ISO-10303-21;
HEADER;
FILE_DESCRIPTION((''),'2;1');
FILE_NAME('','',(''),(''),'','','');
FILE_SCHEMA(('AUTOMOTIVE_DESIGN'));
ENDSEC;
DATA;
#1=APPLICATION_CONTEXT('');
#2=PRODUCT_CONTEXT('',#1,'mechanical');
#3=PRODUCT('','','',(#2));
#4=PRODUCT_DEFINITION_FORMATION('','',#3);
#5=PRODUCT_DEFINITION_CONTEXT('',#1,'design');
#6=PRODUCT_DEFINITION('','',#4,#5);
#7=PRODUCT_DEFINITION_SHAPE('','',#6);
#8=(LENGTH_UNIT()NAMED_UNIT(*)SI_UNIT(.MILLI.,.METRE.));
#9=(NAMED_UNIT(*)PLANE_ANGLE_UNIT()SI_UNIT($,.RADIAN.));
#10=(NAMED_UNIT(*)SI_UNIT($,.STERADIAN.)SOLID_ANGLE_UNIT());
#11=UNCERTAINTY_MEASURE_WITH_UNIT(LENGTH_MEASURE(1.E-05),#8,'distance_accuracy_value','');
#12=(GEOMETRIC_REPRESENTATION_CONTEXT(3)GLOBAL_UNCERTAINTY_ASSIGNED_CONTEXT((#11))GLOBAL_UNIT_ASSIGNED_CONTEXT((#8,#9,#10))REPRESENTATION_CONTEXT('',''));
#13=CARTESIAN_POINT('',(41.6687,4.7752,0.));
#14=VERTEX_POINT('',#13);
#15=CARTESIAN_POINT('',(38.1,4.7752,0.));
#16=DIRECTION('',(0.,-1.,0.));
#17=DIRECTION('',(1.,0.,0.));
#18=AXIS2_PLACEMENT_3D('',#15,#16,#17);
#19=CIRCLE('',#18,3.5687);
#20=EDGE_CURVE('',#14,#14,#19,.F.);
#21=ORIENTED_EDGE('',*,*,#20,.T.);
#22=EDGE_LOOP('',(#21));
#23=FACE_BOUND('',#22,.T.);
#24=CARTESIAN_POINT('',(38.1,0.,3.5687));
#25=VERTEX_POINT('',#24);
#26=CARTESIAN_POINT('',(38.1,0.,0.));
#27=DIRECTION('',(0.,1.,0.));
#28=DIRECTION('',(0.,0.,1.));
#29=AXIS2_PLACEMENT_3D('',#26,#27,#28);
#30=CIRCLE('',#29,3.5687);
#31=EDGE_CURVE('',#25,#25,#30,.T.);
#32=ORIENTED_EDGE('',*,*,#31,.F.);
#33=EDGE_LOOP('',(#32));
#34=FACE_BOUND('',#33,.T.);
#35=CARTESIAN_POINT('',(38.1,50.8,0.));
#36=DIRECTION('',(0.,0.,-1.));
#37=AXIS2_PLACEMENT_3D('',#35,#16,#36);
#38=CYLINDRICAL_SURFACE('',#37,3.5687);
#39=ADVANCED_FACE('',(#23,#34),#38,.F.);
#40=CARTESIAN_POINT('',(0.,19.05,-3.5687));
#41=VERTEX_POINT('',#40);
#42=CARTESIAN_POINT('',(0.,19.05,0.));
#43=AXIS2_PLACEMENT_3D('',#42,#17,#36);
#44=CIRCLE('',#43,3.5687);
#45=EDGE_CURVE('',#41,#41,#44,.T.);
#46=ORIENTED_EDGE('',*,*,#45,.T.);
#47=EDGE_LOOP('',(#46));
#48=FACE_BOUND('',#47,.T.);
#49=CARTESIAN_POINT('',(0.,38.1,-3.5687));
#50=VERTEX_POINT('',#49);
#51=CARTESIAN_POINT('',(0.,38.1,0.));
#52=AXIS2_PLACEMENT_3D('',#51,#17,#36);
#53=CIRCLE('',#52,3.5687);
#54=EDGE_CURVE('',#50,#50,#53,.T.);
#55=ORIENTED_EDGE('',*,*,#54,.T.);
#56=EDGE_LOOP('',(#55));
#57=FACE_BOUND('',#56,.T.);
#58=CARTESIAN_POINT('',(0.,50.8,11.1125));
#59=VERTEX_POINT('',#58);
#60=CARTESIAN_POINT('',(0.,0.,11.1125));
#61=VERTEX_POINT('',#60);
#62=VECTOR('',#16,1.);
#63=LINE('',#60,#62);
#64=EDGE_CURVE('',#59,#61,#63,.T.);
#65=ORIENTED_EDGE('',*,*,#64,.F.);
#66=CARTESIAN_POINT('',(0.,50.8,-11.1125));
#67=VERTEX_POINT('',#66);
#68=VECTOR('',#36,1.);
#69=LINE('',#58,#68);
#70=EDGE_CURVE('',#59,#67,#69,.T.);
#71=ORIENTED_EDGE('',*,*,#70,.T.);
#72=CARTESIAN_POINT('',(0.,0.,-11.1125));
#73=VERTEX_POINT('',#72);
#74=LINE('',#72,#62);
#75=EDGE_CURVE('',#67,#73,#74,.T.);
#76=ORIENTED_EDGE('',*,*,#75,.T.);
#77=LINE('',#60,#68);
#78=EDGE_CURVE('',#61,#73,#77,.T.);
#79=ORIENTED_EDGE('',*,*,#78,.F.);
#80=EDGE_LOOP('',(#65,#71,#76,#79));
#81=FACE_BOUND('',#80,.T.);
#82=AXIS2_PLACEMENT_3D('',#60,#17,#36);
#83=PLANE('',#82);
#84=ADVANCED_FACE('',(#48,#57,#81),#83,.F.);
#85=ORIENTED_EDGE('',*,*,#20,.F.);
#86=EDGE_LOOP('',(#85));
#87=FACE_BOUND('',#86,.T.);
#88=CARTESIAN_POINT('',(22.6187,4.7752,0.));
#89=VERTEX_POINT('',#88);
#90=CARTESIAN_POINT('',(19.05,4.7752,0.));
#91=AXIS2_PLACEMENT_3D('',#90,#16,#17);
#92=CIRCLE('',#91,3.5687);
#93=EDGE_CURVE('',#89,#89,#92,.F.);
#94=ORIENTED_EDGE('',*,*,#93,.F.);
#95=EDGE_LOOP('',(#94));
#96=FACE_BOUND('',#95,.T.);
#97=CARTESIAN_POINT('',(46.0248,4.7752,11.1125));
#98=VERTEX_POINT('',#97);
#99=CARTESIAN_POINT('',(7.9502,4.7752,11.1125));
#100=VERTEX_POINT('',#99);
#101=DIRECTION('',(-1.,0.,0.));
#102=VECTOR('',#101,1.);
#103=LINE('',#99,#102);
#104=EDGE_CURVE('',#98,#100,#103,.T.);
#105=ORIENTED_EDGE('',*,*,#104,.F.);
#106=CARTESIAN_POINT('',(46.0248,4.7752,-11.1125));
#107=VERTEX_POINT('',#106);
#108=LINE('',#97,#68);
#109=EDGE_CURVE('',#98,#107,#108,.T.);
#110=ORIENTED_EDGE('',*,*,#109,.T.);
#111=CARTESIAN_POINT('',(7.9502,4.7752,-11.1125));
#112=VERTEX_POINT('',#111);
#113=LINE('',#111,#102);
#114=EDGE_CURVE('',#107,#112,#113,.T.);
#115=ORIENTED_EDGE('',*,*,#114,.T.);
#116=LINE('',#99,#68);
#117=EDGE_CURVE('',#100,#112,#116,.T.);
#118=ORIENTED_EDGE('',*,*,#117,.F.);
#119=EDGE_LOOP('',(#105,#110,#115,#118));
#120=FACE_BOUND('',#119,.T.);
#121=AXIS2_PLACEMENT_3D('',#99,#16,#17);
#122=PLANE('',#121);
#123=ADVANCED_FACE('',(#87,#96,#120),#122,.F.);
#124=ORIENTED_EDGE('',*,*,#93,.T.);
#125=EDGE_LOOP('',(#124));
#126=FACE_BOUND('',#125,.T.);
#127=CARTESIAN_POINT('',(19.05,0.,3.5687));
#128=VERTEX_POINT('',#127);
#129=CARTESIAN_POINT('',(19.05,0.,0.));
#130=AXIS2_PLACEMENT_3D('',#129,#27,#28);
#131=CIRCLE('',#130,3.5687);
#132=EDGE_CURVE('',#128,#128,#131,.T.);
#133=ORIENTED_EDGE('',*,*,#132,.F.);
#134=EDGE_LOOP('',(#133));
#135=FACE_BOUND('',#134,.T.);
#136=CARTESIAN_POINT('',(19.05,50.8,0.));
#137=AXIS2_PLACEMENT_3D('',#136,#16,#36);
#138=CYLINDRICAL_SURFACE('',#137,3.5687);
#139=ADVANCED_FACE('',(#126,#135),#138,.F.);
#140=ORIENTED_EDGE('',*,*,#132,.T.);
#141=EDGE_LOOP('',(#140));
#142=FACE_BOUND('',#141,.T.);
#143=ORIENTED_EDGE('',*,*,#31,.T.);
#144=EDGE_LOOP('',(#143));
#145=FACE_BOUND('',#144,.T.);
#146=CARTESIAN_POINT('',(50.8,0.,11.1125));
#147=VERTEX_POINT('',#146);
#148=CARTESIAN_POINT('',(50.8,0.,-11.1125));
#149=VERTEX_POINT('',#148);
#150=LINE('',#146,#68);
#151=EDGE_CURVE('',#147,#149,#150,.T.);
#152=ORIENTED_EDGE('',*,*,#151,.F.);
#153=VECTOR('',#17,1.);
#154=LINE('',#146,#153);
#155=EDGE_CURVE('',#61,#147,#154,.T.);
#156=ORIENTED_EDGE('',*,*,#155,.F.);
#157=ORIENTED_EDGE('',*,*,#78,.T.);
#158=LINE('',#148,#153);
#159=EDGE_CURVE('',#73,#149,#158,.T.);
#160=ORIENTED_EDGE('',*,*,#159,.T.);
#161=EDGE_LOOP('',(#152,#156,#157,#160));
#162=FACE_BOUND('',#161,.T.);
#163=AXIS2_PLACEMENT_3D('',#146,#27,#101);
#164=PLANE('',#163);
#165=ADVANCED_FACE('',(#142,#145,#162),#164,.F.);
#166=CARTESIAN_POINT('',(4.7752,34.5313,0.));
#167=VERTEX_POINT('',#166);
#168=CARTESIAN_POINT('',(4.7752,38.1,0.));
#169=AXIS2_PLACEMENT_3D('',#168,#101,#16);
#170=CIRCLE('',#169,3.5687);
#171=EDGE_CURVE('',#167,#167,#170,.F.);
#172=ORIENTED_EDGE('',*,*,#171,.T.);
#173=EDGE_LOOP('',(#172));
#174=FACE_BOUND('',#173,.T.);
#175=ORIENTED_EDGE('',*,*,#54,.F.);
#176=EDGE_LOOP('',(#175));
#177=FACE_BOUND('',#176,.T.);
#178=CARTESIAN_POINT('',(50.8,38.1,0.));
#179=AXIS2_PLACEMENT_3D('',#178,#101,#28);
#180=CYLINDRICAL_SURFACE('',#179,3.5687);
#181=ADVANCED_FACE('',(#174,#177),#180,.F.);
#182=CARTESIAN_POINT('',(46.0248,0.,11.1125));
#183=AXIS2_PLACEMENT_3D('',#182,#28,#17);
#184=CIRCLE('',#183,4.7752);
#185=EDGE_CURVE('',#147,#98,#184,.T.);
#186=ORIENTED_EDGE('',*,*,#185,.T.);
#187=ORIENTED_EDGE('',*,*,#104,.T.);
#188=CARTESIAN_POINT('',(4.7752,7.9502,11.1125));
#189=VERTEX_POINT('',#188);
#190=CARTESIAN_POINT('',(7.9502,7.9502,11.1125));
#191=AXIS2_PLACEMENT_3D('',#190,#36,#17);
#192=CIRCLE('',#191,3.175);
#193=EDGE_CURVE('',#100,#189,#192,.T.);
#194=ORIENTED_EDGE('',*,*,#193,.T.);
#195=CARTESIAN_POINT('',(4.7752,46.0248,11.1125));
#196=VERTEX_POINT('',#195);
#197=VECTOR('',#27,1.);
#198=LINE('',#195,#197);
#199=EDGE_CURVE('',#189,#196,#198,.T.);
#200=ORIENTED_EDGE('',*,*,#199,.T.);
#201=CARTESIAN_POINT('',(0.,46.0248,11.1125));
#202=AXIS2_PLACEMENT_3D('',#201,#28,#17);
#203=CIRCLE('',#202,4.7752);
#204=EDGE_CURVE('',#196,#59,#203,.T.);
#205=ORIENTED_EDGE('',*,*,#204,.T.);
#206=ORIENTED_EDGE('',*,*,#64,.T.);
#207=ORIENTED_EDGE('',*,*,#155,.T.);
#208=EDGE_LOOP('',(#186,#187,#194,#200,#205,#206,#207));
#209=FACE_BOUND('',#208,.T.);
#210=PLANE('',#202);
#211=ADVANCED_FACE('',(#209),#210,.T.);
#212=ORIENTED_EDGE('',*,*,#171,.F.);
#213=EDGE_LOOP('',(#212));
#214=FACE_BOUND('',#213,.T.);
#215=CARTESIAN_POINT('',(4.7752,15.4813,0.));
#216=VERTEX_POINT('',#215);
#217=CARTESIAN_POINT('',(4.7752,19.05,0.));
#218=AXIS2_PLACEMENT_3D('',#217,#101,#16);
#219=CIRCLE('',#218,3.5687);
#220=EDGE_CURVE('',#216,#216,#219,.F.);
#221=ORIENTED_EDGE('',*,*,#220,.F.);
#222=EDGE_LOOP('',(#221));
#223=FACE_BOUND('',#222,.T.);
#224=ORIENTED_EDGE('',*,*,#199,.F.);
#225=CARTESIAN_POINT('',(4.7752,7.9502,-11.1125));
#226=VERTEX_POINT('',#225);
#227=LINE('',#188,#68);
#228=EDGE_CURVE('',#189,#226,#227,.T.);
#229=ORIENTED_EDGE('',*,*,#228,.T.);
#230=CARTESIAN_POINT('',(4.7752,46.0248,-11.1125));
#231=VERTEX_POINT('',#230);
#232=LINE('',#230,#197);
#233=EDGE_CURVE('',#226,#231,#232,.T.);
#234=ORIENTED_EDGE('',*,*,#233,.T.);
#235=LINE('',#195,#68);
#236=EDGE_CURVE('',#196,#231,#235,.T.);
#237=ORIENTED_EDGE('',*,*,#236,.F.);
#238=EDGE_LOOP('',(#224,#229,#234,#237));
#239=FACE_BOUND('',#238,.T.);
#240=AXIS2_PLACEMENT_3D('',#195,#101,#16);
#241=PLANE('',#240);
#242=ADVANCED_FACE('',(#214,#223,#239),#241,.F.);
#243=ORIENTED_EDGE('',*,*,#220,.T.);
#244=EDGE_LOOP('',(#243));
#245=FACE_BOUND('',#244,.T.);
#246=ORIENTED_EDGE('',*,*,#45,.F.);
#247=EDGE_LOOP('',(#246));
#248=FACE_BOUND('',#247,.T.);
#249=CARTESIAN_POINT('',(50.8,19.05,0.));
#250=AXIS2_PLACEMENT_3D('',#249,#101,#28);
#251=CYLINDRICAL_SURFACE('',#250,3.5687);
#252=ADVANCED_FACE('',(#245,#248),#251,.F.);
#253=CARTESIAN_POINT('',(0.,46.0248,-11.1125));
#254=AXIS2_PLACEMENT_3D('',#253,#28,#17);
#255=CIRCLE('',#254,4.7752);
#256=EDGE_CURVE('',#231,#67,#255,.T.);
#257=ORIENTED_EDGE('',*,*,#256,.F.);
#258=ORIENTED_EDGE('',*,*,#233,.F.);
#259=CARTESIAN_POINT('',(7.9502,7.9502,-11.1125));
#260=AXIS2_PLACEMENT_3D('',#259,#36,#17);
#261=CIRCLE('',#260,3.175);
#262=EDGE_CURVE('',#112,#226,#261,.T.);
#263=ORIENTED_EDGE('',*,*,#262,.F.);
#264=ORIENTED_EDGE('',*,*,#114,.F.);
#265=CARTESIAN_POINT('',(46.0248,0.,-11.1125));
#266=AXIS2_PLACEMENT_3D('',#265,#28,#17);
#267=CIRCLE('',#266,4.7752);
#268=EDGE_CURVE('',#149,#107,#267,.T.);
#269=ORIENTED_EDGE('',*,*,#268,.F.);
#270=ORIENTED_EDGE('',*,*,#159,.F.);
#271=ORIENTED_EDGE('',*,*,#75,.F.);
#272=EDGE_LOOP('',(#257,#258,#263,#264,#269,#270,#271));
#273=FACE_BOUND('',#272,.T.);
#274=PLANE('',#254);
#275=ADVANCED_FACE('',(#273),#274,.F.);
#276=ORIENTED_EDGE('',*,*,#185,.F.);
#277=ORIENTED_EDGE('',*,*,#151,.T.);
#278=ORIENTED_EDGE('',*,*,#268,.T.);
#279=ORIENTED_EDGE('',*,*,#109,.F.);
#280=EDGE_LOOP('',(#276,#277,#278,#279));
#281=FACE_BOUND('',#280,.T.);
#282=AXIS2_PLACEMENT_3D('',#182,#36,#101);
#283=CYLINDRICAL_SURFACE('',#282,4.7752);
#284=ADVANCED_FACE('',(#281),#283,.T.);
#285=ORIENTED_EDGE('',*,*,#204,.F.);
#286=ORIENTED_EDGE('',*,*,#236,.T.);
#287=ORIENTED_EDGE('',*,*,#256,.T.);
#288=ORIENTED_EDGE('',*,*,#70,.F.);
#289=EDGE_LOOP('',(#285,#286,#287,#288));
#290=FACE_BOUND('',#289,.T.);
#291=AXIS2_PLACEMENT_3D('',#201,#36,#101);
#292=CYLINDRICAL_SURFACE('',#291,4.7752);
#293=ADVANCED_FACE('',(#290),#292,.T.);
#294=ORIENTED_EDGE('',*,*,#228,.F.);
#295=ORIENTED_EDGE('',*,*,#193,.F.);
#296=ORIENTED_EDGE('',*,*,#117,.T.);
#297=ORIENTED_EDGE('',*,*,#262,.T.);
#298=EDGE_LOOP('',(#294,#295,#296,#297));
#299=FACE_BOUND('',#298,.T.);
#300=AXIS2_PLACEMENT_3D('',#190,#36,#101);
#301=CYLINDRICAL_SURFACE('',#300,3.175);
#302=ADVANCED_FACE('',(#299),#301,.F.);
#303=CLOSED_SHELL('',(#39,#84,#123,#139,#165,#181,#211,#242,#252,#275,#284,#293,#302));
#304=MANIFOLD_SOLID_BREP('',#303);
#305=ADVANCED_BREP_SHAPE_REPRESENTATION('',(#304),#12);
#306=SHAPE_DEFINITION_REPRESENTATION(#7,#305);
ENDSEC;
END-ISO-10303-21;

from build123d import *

# Parameters (mm, degrees)
BOSS_EXTRUDE1_DEPTH = 11.1125
SKETCH2_R           = 3.5687
CUT_EXTRUDE1_DEPTH  = 51.8
SKETCH3_R           = 3.5687
CUT_EXTRUDE2_DEPTH  = 51.8


with BuildPart() as part:
    # Sketch1 → Boss-Extrude1 (new body, symmetric)
    with BuildSketch(Plane.XY):
        with BuildLine():
            Line((0, 0), (0, 50.8))
            ThreePointArc((0, 50.8), (3.376576302, 49.401376302), (4.7752, 46.0248))
            Line((4.7752, 46.0248), (4.7752, 7.9502))
            ThreePointArc((4.7752, 7.9502), (5.70513597, 5.70513597), (7.9502, 4.7752))
            Line((7.9502, 4.7752), (46.0248, 4.7752))
            ThreePointArc((46.0248, 4.7752), (49.401376302, 3.376576302), (50.8, 0))
            Line((50.8, 0), (0, 0))
        make_face()
    extrude(amount=BOSS_EXTRUDE1_DEPTH, both=True)

    # Sketch2 → Cut-Extrude1 (cut, through all)
    with BuildSketch(Plane(origin=(0, 0, 0), x_dir=(1, 0, 0), z_dir=(0, 1, 0))):
        with Locations((19.05, 0)):
            Circle(SKETCH2_R)
        with Locations((38.1, 0)):
            Circle(SKETCH2_R)
    extrude(amount=CUT_EXTRUDE1_DEPTH, mode=Mode.SUBTRACT)

    # Sketch3 → Cut-Extrude2 (cut, through all)
    with BuildSketch(Plane(origin=(0, 0, 0), x_dir=(0, 0, -1), z_dir=(1, 0, 0))):
        with Locations((0, 19.05)):
            Circle(SKETCH3_R)
        with Locations((0, 38.1)):
            Circle(SKETCH3_R)
    extrude(amount=CUT_EXTRUDE2_DEPTH, mode=Mode.SUBTRACT)


solid = part.part
